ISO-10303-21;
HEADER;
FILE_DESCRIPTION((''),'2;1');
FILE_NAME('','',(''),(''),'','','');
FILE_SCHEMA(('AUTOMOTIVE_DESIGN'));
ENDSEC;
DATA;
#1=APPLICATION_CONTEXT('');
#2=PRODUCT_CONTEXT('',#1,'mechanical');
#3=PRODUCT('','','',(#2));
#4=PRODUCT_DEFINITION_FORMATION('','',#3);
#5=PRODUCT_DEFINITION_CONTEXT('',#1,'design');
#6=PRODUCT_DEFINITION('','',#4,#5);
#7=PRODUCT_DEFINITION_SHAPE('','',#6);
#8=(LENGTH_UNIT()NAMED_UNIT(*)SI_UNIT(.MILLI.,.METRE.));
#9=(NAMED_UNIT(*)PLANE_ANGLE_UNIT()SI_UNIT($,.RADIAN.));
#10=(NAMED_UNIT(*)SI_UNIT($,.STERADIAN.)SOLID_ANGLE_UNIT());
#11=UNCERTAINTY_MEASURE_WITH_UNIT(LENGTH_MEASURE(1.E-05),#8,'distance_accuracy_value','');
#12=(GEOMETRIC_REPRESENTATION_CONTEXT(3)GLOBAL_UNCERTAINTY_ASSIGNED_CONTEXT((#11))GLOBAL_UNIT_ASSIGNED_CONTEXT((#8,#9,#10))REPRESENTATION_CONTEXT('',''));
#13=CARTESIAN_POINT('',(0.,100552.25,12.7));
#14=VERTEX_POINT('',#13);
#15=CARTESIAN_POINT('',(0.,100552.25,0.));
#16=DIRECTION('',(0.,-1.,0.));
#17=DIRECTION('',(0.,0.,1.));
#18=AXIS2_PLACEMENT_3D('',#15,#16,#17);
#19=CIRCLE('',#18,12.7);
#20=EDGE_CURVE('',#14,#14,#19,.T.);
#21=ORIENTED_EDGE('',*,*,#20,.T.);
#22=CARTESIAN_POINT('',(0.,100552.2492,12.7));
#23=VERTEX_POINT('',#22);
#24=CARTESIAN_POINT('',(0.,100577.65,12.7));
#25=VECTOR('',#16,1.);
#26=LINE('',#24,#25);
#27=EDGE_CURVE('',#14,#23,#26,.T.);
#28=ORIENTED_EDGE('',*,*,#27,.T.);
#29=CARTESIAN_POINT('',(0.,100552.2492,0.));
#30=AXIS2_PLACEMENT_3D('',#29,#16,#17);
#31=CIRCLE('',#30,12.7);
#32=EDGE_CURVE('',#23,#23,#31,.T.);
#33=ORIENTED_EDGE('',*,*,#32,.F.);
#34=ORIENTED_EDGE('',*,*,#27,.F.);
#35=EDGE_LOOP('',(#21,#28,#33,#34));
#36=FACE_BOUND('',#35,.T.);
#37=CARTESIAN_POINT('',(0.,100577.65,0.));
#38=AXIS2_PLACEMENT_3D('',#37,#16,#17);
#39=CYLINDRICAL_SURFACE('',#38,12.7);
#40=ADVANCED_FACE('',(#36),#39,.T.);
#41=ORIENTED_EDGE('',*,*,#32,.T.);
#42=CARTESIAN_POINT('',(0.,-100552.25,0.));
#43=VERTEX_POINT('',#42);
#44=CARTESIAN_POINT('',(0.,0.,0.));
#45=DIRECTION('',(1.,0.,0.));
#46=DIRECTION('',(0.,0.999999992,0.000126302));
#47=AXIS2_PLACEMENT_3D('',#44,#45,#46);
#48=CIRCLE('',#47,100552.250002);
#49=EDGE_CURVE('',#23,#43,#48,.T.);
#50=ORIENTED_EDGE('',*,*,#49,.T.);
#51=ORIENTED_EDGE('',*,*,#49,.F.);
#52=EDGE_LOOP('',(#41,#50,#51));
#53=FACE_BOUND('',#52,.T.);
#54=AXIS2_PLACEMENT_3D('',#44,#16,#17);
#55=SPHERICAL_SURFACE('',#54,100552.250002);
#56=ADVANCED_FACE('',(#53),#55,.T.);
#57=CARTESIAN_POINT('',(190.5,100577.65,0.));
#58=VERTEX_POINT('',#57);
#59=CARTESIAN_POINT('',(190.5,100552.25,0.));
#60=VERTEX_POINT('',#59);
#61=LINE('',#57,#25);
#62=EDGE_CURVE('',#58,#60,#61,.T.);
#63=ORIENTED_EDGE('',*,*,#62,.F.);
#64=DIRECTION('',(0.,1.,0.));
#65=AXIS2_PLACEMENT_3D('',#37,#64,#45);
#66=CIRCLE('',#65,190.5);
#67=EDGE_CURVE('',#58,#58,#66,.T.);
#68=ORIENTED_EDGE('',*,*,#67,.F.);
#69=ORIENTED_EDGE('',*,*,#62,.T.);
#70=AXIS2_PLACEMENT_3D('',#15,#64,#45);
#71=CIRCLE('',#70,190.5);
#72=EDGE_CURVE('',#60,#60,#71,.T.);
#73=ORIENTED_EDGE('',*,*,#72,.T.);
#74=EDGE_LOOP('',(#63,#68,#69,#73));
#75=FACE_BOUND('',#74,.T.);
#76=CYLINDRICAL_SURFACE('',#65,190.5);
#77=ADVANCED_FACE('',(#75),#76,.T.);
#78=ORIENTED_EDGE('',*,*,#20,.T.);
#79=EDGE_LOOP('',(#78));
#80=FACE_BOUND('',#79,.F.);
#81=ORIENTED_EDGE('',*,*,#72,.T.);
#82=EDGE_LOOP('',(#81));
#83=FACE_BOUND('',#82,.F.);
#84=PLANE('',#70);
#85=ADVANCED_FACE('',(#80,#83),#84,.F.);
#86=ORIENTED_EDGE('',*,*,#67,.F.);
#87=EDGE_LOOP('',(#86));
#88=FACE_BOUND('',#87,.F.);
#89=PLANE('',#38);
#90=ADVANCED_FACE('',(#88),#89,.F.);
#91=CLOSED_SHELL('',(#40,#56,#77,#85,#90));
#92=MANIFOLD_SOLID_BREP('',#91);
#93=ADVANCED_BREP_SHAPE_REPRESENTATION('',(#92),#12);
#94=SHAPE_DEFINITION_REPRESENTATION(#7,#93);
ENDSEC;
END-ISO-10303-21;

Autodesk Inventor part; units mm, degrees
ref_plane "YZ Plane" through (0, 0, 0) normal (1, 0, 0) x (0, 1, 0)
ref_plane "XZ Plane" through (0, 0, 0) normal (0, 1, 0) x (-1, 0, 0)
ref_plane "XY Plane" through (0, 0, 0) normal (0, 0, 1) x (1, 0, 0)
sketch "Sketch1" plane through (0, 0, 0) normal (1, 0, 0) x (0, 1, 0)
  arc A0 (100552.2492, 12.7) -> (100552.2492, -12.7) centre (0, 0) ccw
  line L0 (100552.25, 0) -> (-100552.25, 0)
  line L1 (100577.65, 12.7) -> (100577.65, -12.7)
  line L2 (100552.2492, -12.7) -> (100577.65, -12.7)
  line L3 (100552.25, 0) -> (100577.65, 0)
  line L4 (100577.65, 12.7) -> (100552.2492, 12.7)
  dimension "d1" = 201104.5
  dimension "d9" = 90
revolve "Revolution1" add sketch "Sketch1" angle 360 about axis through (0, 100552.25, 0) along (0, -1, 0) contours L4 L1 L3 L0 A0
sketch "Sketch2" plane through (0, 100577.65, 0) normal (0, 1, 0) x (1, 0, 0)
  circle A0 centre (0, 0) radius 190.5
  dimension "d11" = 381
extrude "Extrusion1" add sketch "Sketch2" against normal blind 25.4
properties part number "earth"
